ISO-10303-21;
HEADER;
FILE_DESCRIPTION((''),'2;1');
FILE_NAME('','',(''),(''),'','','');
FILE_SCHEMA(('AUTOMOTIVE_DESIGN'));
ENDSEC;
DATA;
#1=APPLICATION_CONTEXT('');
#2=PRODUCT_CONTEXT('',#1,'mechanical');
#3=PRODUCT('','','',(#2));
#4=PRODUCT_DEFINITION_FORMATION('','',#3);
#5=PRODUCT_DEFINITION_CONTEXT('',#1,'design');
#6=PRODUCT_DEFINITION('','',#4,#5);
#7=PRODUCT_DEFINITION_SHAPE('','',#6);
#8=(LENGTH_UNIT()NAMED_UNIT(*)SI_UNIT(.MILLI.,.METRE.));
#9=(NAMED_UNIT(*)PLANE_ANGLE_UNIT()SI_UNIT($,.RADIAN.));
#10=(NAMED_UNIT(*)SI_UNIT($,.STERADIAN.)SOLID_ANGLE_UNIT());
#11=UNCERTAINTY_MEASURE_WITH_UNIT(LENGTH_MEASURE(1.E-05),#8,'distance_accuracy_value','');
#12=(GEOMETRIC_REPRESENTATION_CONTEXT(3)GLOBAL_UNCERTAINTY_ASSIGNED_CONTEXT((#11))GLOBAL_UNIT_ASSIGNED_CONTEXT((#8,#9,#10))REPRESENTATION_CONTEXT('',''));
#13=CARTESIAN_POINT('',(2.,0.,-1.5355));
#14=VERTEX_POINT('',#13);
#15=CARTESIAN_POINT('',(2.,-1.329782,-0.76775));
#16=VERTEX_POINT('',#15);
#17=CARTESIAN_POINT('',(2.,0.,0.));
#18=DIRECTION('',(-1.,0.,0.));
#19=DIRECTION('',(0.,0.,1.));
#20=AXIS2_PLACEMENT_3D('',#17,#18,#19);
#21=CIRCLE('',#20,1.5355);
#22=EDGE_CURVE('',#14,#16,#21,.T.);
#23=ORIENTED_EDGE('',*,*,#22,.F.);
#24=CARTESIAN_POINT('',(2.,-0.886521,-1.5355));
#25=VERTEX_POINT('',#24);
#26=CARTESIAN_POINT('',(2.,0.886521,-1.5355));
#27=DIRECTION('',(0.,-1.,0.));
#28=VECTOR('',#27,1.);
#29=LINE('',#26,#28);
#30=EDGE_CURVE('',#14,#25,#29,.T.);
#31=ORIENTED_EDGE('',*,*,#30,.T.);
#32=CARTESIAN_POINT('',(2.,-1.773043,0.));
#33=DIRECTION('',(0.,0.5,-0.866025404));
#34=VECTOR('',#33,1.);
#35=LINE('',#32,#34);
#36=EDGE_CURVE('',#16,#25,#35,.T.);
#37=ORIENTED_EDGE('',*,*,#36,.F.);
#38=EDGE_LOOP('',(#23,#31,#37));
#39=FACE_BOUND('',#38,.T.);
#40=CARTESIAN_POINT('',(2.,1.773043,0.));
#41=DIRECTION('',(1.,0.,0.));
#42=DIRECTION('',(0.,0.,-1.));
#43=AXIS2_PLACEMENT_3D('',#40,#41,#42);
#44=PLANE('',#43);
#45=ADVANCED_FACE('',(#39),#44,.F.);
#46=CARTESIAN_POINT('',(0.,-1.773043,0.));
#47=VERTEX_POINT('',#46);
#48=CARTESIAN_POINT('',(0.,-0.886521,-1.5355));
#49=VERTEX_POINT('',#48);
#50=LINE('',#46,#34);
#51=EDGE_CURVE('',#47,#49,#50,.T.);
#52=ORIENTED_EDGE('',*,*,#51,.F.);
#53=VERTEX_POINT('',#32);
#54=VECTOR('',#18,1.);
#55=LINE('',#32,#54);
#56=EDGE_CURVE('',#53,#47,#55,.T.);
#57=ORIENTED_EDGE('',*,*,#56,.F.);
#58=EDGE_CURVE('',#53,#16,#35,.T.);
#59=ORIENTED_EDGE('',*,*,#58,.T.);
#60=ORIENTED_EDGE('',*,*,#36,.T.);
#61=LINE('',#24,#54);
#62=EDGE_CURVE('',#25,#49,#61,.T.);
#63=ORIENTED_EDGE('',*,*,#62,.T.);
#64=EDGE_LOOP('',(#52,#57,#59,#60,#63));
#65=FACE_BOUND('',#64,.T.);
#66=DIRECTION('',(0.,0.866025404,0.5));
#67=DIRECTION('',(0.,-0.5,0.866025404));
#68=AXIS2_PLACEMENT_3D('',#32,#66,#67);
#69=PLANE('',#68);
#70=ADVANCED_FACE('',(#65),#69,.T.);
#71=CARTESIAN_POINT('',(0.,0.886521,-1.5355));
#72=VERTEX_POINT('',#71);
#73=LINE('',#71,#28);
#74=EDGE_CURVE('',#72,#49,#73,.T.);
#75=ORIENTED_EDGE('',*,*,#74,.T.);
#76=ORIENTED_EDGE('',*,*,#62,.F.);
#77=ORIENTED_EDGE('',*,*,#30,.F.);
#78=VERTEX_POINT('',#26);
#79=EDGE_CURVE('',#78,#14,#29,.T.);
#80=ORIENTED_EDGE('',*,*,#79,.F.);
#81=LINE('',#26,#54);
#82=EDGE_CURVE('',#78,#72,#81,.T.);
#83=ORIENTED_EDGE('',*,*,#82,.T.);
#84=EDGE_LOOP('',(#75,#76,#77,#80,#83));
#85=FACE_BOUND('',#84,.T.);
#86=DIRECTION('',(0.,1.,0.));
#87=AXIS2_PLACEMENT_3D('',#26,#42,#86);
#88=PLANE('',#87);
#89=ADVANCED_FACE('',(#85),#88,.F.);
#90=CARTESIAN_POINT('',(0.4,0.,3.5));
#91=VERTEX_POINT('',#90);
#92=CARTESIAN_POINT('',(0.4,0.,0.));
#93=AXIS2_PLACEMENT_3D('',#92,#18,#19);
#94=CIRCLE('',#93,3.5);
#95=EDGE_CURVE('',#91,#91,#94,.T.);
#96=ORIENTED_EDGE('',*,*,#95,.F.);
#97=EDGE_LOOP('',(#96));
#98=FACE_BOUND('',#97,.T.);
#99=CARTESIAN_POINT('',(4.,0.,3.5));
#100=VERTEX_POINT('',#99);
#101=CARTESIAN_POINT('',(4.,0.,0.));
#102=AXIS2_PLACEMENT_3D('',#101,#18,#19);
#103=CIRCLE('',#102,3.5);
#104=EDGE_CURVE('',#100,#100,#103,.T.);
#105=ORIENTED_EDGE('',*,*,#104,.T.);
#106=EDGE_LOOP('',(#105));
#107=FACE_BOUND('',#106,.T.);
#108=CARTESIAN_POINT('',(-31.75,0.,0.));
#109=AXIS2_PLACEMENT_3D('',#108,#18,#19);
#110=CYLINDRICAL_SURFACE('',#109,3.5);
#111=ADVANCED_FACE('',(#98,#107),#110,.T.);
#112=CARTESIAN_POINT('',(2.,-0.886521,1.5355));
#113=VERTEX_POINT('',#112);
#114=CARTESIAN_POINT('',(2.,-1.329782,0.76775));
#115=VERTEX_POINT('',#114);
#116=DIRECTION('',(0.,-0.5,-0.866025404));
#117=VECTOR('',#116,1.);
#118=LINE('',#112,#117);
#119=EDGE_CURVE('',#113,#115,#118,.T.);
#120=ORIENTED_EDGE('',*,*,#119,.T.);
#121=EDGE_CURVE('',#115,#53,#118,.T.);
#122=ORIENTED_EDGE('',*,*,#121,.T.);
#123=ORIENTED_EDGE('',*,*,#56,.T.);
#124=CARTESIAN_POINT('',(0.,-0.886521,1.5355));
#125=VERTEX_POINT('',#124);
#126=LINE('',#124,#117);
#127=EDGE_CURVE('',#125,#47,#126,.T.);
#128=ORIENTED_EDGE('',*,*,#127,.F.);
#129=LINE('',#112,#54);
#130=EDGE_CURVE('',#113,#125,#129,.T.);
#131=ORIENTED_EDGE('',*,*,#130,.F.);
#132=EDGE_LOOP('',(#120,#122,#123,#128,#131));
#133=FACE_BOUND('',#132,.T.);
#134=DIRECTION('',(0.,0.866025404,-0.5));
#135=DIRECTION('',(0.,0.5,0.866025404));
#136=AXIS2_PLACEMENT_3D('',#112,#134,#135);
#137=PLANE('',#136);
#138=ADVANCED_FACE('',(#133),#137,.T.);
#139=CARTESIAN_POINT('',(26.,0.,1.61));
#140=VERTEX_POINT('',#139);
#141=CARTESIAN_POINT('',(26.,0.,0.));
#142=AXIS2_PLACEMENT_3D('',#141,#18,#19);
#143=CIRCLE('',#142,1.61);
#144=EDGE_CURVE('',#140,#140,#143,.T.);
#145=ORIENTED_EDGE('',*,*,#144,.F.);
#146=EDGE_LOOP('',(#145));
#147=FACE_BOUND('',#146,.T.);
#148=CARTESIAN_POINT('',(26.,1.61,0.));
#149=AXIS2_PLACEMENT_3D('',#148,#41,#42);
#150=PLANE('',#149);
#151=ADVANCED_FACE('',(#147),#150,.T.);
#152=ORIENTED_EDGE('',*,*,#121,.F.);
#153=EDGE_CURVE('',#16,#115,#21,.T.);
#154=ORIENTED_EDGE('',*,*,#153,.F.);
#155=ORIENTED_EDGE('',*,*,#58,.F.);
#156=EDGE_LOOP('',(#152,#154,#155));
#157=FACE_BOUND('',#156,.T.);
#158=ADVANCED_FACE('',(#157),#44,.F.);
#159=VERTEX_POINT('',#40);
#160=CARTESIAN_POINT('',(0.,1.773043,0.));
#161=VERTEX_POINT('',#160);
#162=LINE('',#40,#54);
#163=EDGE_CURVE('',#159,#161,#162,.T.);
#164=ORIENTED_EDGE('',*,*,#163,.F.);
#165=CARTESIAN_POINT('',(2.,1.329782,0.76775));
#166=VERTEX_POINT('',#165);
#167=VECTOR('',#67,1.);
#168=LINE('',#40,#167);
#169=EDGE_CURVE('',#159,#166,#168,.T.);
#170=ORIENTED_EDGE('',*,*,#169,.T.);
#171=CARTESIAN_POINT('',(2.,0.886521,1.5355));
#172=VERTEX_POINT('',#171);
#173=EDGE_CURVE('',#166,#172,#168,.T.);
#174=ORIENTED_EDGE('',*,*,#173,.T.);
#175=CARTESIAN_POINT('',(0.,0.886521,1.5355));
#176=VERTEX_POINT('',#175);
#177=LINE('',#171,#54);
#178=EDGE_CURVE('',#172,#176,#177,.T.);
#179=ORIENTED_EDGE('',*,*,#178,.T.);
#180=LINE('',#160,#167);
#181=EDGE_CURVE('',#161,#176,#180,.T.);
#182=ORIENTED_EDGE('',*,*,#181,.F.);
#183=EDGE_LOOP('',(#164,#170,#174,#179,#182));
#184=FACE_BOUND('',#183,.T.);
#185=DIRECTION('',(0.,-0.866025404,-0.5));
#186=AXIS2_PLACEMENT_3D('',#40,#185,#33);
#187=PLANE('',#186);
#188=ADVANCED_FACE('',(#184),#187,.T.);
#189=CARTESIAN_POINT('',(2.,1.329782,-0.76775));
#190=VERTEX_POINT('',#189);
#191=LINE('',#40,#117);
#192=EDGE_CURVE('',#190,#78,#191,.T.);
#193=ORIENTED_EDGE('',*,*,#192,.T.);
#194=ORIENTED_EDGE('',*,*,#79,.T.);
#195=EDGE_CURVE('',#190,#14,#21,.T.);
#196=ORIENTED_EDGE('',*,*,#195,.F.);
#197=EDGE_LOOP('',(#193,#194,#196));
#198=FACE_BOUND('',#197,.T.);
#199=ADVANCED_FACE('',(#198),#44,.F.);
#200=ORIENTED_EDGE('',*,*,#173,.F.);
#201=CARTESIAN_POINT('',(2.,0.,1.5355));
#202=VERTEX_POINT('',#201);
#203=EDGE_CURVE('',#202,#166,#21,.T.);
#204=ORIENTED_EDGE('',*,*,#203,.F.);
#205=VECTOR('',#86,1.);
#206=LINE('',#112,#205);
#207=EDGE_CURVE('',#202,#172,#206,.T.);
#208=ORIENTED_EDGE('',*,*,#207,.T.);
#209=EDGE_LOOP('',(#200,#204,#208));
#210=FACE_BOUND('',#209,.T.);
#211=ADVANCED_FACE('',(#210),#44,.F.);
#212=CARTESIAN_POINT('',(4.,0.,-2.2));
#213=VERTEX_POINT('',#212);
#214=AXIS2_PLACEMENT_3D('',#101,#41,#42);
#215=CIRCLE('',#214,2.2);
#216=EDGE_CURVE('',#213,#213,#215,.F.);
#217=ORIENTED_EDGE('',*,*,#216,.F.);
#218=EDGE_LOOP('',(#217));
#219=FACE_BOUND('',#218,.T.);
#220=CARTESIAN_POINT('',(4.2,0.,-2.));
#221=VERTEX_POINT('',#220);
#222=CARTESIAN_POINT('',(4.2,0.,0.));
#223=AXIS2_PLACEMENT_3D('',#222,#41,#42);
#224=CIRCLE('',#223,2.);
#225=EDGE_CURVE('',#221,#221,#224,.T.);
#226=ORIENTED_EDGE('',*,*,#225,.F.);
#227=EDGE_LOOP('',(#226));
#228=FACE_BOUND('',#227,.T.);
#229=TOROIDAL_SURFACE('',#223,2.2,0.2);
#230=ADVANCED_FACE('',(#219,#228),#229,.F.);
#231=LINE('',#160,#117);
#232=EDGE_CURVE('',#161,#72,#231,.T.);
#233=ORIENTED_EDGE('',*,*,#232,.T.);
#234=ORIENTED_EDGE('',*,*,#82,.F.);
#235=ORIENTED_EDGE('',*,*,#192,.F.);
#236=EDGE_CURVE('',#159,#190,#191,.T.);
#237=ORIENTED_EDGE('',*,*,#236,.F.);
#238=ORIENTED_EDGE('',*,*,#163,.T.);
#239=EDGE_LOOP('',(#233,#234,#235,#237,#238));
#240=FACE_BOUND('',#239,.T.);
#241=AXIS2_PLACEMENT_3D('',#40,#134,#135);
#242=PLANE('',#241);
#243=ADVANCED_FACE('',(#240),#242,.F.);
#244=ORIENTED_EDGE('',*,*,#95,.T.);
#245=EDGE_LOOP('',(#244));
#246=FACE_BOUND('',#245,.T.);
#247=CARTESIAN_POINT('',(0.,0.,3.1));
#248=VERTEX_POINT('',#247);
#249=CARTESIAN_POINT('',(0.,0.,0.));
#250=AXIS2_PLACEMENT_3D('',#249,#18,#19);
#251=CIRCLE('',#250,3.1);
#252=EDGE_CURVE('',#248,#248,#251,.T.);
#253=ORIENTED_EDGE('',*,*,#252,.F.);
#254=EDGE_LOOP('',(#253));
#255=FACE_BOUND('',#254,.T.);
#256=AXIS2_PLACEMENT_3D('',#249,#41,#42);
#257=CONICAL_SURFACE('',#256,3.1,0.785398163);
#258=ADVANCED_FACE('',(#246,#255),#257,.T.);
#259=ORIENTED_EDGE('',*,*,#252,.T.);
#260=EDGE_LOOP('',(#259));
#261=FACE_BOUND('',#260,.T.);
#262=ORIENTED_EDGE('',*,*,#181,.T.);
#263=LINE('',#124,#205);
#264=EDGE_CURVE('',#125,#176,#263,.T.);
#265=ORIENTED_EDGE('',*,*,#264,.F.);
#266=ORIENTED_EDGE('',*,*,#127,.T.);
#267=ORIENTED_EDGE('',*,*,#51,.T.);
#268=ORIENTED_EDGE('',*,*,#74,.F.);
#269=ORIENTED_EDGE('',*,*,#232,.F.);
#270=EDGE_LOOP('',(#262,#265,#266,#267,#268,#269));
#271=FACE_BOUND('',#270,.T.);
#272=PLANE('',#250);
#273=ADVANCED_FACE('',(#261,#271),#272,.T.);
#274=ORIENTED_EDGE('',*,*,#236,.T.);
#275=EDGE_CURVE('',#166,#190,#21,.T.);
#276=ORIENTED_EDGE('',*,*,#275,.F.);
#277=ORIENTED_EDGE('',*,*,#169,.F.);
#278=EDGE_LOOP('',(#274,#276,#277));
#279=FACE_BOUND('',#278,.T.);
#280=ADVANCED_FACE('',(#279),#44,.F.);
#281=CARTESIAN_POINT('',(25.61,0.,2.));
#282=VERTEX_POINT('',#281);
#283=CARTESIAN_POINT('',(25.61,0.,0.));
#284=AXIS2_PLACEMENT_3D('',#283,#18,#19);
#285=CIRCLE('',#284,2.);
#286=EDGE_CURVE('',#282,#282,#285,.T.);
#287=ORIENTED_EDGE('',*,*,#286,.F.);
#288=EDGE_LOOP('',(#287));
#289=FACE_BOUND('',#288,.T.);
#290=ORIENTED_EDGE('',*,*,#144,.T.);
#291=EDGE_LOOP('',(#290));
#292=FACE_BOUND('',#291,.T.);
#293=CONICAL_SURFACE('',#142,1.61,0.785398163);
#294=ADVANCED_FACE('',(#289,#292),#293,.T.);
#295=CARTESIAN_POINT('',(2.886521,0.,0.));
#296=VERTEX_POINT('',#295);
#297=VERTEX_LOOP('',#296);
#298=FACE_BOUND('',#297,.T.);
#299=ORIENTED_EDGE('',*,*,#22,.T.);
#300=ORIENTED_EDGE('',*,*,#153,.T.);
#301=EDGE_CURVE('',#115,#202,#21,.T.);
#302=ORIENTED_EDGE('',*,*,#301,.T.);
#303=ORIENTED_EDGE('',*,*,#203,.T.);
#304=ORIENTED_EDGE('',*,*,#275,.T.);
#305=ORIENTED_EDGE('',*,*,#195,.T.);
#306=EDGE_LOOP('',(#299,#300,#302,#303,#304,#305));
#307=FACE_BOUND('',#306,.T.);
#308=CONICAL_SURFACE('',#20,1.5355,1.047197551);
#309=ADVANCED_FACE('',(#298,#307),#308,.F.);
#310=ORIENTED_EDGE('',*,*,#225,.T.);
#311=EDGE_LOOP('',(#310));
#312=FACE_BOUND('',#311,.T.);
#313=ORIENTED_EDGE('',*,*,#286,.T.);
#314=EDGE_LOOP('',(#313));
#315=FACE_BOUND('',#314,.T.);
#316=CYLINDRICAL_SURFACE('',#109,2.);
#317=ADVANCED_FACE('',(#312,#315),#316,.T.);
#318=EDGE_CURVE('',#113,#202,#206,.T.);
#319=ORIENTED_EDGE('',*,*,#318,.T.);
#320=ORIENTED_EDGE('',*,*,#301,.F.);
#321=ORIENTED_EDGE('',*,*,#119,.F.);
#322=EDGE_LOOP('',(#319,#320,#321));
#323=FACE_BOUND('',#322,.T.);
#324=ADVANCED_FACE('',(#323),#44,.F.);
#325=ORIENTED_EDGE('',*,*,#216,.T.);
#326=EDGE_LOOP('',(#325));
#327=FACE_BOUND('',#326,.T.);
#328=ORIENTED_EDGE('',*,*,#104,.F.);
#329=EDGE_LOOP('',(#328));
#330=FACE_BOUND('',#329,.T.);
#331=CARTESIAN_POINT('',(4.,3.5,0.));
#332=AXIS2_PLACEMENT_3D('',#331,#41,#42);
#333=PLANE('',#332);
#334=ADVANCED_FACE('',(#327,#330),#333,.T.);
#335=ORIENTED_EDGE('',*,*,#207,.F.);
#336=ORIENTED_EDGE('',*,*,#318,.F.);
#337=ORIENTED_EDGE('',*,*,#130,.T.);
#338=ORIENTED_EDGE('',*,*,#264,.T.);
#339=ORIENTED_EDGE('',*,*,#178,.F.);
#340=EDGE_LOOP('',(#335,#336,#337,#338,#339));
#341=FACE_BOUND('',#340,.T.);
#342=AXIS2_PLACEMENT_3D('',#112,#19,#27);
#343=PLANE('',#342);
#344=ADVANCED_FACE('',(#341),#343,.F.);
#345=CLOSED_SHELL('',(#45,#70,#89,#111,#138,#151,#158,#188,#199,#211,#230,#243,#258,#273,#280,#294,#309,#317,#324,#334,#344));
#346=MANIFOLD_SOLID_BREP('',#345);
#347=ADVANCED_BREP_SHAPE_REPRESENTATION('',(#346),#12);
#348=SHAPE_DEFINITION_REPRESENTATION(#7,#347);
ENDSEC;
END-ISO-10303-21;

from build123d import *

# Parameters (mm, degrees)
FILLET1_R   = 0.2
HEX_2_DEPTH = 2


with BuildPart() as part:
    # BodySke → Base-Revolve (revolve)
    with BuildSketch(Plane.XY, mode=Mode.PRIVATE) as base_revolve_sk:
        Polygon((0, 0), (0, 3.1), (0.4, 3.5), (4, 3.5), (4, 2), (25.61, 2), (26, 1.61), (26, 0), align=None)
    revolve(base_revolve_sk.sketch.rotate(Axis((-31.75, 0, 0), (1, 0, 0)), 90), axis=Axis((-31.75, 0, 0), (1, 0, 0)))

    # Fillet1
    fillet1_edges = [part.edges().sort_by_distance(p)[0] for p in [
        (4, 0, -2),
    ]]
    fillet(fillet1_edges, radius=FILLET1_R)

    # Sketch2 → Hex-PreBroach (revolve, cut)
    with BuildSketch(Plane.XY, mode=Mode.PRIVATE) as hex_prebroach_sk:
        Polygon((0, 1.5355), (2, 1.5355), (2.886521338, 0), (0, 0), align=None)
    revolve(hex_prebroach_sk.sketch.rotate(Axis((0, 0, 0), (1, 0, 0)), 90), axis=Axis((0, 0, 0), (1, 0, 0)), mode=Mode.SUBTRACT)

    # Sketch3 → Hex 2 (cut)
    with BuildSketch(Plane(origin=(0, 0, 0), x_dir=(0, 0.500000000000001, 0.866025403784438), z_dir=(-1, 0, 0))):
        Polygon((0.886521338, 1.5355), (-0.886521338, 1.5355), (-1.773042677, 0), (-0.886521338, -1.5355), (0.886521338, -1.5355), (1.773042677, 0), align=None)
    extrude(amount=-HEX_2_DEPTH, mode=Mode.SUBTRACT)


solid = part.part
